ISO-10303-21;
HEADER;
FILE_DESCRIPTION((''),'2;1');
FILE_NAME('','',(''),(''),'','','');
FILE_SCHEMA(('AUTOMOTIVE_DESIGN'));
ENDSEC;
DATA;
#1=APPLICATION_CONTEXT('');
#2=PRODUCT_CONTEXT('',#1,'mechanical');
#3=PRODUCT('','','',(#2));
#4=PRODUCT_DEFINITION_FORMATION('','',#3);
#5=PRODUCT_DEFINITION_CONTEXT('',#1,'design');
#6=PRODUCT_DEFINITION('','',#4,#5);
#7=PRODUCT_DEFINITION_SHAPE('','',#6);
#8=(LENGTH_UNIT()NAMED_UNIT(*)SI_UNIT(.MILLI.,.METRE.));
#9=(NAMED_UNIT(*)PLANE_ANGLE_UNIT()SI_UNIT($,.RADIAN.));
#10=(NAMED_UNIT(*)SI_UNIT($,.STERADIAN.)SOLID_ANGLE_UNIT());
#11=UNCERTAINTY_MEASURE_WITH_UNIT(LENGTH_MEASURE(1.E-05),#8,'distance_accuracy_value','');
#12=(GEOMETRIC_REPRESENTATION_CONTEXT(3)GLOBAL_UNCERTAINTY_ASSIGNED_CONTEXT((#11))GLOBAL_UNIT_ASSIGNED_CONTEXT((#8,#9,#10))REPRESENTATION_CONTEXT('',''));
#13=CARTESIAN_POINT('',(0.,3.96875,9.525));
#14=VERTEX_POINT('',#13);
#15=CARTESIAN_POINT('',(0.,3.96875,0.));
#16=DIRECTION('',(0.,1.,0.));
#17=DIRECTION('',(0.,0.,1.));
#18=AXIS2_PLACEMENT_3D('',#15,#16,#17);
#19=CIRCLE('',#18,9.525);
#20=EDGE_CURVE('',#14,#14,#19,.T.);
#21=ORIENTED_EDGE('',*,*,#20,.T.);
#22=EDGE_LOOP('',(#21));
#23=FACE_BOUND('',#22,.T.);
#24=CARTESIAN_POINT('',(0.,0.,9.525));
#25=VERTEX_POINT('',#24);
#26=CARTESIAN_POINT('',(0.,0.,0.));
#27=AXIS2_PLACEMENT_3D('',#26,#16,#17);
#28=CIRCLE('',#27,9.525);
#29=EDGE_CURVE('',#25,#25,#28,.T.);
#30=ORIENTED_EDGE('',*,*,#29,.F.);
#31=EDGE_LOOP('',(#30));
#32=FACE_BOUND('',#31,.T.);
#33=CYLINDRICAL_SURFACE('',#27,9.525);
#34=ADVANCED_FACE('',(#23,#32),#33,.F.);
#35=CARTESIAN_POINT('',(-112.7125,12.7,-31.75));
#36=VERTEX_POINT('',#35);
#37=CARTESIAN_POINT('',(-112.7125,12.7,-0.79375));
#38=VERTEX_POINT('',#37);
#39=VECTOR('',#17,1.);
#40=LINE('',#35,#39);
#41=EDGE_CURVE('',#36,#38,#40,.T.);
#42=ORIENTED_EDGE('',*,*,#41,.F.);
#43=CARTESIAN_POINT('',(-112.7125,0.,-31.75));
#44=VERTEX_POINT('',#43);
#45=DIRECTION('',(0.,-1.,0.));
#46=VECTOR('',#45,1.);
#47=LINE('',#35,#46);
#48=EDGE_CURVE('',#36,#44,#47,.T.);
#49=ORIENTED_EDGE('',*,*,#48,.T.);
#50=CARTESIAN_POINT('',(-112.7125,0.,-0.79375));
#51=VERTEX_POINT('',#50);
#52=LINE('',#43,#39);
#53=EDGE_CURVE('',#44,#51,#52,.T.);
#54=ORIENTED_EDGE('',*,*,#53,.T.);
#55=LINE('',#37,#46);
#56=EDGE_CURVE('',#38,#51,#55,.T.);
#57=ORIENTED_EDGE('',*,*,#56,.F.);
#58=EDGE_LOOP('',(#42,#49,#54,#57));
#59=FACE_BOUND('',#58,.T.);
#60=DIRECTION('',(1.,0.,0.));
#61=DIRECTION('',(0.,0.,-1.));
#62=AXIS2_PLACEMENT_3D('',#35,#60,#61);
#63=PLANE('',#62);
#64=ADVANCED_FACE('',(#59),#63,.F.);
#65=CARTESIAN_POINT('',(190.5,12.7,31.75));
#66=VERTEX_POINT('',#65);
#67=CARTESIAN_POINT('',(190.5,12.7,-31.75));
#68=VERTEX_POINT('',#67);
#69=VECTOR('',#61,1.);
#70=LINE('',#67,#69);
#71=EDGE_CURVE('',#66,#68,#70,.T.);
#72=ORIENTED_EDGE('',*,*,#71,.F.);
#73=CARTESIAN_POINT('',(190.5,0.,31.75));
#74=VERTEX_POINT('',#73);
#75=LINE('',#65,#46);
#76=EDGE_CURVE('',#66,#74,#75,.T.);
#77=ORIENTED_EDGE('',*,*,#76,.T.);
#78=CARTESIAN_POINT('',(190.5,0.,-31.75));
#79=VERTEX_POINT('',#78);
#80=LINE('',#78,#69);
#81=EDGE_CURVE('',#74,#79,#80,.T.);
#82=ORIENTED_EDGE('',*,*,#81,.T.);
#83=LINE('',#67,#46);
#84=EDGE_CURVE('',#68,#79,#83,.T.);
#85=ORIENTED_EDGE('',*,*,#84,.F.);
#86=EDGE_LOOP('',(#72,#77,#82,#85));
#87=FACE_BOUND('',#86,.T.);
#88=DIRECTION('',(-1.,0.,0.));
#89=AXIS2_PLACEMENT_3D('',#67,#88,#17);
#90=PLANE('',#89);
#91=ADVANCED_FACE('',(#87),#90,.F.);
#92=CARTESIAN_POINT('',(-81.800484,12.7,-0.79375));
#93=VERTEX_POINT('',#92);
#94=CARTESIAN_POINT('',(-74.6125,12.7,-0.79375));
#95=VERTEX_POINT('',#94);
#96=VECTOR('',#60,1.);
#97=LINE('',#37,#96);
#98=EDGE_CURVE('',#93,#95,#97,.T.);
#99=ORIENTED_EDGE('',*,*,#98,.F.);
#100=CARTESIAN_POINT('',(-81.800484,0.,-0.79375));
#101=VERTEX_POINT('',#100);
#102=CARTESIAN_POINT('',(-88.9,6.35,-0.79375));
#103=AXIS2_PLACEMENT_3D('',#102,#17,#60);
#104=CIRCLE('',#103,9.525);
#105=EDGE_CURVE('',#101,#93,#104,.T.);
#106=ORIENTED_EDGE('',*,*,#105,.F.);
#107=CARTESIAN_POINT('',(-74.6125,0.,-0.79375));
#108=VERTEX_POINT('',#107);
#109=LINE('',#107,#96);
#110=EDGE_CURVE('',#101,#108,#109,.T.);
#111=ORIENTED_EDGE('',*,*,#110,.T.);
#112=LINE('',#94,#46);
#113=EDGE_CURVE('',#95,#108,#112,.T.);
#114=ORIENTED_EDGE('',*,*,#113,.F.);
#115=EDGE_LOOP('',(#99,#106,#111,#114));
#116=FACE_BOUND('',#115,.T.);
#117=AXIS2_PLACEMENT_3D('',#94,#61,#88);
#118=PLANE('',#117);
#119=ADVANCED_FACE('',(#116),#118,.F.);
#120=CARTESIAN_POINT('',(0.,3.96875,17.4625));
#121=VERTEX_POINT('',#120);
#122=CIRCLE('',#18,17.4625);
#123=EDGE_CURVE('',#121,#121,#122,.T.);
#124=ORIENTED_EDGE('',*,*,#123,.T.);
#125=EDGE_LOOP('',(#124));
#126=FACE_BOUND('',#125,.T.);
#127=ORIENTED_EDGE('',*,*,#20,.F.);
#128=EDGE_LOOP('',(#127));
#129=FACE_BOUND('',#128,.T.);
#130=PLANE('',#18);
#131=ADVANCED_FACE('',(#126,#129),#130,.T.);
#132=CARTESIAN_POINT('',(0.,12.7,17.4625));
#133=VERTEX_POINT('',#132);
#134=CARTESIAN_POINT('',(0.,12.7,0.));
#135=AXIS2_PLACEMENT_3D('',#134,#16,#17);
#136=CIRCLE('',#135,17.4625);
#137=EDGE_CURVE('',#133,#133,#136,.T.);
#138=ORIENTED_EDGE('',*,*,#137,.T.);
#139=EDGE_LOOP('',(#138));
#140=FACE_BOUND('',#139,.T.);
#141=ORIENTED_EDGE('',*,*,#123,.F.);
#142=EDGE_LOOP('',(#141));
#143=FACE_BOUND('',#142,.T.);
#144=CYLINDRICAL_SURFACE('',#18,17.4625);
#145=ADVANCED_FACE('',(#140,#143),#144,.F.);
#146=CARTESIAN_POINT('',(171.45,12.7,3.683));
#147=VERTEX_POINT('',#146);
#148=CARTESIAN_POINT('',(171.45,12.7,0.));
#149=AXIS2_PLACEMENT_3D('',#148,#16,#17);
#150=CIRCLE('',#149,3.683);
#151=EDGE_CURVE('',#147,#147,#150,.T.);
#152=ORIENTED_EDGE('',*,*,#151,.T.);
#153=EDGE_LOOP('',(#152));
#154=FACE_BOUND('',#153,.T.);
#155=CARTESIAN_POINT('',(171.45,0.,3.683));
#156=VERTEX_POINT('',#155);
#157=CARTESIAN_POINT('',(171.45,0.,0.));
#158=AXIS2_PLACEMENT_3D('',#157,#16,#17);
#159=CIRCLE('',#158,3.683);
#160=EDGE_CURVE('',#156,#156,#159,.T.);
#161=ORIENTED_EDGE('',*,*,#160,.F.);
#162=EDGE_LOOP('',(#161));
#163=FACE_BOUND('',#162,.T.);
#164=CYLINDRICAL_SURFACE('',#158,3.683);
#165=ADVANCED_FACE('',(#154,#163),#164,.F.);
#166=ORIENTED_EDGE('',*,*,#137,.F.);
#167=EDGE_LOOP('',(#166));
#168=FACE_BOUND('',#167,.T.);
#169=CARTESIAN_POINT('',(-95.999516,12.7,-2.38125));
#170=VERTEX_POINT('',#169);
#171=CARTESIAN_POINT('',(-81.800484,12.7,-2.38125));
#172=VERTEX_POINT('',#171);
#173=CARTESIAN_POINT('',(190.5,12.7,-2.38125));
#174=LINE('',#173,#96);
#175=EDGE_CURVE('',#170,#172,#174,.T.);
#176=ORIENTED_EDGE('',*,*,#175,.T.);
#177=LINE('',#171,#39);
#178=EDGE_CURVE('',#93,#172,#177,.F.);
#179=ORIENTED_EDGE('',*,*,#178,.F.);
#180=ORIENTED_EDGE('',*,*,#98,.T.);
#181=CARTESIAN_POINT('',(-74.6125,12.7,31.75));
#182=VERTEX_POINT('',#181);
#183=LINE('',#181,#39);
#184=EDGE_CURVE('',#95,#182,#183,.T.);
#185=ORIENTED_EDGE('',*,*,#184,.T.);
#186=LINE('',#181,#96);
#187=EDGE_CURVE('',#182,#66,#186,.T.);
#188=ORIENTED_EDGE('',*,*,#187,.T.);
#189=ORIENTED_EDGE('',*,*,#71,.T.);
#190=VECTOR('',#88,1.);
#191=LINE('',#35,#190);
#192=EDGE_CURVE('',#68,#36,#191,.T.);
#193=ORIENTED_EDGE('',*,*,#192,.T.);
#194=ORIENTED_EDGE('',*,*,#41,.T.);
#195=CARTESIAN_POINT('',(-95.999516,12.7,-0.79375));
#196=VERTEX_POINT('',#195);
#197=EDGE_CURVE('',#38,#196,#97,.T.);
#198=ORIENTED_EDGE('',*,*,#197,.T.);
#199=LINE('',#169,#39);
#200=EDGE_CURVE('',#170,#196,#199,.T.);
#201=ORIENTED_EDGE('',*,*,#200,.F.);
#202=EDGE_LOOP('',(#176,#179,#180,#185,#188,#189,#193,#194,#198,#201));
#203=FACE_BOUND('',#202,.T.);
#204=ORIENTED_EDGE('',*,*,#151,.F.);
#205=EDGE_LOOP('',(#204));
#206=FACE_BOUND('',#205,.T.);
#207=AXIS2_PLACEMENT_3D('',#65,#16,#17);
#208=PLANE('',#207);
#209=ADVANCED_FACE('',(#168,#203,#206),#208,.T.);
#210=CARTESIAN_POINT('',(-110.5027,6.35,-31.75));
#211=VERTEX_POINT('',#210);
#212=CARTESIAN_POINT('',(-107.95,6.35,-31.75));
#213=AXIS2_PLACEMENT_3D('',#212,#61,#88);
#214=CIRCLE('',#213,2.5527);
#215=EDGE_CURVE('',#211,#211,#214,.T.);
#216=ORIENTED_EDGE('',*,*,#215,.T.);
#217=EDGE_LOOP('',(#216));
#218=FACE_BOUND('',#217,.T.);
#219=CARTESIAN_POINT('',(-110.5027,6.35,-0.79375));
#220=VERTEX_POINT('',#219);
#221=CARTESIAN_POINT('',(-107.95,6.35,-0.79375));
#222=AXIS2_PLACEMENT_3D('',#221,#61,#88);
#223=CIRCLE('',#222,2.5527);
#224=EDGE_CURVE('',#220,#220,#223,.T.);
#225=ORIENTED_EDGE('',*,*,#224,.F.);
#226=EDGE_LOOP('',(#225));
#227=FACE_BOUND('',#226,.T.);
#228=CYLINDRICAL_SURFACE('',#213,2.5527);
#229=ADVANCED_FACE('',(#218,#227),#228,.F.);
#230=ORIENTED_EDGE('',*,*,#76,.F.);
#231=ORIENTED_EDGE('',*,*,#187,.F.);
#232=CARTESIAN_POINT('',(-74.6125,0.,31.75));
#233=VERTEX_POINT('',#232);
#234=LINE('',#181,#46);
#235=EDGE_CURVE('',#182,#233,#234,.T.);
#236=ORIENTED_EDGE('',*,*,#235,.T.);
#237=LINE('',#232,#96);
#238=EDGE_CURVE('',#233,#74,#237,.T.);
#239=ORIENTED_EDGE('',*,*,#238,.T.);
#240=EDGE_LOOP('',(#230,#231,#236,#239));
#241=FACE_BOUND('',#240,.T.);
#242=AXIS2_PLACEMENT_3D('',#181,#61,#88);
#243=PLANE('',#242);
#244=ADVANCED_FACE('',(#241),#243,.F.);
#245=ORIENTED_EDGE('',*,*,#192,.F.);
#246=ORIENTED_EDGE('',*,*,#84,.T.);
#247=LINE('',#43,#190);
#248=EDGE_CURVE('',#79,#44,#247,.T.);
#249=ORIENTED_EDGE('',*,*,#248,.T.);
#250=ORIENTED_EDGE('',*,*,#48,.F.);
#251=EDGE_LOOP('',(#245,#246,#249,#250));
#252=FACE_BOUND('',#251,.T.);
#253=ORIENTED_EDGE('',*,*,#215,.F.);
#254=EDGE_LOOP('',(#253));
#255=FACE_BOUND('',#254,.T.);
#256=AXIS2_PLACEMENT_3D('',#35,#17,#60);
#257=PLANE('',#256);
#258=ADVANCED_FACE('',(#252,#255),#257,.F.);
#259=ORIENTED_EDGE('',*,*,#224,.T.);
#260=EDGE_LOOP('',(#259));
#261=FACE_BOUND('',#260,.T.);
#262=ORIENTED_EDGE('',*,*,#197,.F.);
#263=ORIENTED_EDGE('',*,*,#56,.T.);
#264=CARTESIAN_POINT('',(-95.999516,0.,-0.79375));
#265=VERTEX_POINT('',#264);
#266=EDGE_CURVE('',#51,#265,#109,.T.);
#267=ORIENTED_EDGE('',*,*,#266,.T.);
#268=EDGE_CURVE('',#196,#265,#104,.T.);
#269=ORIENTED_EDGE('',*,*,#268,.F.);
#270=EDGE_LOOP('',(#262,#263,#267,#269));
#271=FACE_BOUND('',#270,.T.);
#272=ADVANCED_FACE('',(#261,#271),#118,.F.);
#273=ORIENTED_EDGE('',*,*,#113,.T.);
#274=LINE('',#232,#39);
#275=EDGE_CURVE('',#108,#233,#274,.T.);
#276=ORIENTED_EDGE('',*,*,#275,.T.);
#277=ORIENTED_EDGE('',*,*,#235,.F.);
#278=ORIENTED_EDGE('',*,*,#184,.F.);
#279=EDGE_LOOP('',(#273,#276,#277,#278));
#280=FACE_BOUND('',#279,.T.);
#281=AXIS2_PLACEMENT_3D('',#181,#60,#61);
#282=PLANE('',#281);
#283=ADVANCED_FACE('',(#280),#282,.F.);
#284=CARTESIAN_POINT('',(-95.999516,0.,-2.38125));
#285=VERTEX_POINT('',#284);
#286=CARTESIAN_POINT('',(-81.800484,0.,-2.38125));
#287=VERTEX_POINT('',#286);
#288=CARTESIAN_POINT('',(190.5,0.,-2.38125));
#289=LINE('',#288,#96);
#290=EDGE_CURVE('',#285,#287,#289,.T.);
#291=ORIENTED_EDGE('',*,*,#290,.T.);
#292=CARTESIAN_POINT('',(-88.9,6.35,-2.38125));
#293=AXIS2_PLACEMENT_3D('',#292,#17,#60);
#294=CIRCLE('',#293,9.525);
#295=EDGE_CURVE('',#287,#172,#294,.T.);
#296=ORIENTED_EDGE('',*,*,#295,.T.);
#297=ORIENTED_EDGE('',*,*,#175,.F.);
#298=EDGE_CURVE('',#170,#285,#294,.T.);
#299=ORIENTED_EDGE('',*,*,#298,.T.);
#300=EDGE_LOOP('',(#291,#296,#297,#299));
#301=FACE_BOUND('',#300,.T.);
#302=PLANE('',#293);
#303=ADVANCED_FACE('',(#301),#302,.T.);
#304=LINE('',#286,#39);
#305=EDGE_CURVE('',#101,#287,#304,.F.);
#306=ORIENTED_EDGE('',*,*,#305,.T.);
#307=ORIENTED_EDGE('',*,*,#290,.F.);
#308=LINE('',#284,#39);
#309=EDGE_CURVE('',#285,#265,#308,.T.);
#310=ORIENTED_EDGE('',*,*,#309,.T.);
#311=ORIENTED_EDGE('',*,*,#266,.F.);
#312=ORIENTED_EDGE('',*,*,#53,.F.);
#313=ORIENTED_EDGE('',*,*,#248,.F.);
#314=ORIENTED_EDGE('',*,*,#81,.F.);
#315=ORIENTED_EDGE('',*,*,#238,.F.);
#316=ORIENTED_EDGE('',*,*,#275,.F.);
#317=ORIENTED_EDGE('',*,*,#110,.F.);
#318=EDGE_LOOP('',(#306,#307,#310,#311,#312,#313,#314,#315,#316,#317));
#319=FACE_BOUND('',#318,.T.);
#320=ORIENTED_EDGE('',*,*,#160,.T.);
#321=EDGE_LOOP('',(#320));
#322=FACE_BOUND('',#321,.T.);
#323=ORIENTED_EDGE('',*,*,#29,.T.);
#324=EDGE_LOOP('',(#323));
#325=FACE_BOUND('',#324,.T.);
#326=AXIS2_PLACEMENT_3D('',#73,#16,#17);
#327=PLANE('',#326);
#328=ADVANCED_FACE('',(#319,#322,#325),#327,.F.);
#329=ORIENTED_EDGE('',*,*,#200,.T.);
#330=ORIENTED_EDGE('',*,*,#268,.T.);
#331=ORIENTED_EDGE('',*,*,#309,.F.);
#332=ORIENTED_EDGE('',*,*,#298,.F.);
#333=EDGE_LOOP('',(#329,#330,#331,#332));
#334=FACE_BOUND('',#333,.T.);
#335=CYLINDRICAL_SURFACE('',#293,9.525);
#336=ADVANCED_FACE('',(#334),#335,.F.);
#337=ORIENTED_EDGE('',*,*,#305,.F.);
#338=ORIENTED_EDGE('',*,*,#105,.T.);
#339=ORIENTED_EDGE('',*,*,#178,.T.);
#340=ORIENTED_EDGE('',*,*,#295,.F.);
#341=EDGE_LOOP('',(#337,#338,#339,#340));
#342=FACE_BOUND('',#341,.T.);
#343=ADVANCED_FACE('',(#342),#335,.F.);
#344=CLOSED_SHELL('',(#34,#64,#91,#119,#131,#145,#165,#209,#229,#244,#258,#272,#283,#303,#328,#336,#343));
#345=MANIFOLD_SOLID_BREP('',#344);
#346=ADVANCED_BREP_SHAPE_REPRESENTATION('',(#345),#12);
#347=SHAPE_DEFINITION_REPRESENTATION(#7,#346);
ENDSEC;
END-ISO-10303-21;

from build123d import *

# Parameters (mm, degrees)
BOSS_EXTRUDE1_DEPTH    = 12.7
SKETCH2_R              = 17.4625
CUT_EXTRUDE1_DEPTH     = 8.73125
SKETCH4_R              = 3.683
CUT_EXTRUDE3_DEPTH     = 13.7
F_10_CLEARANCE_HOLE1_D = 5.1054
SKETCH7_R              = 9.525
CUT_EXTRUDE4_DEPTH     = 1.5875
SKETCH8_R              = 9.525
CUT_EXTRUDE5_DEPTH     = 4.96875


with BuildPart() as part:
    # Sketch1 → Boss-Extrude1 (new body)
    with BuildSketch(Plane(origin=(0, 0, 0), x_dir=(1, 0, 0), z_dir=(0, 1, 0))):
        Polygon((-112.7125, 31.75), (190.5, 31.75), (190.5, -31.75), (-74.6125, -31.75), (-74.6125, 0.79375), (-76.2, 0.79375), (-112.7125, 0.79375), align=None)
    extrude(amount=BOSS_EXTRUDE1_DEPTH)

    # Sketch2 → Cut-Extrude1 (cut)
    with BuildSketch(Plane(origin=(0, 12.7, 0), x_dir=(1, 0, 0), z_dir=(0, 1, 0))):
        with Locations(Location((0, 0, 0), (0, 0, 270))):  # turned: the seam where the file's is
            Circle(SKETCH2_R)
    extrude(amount=-CUT_EXTRUDE1_DEPTH, mode=Mode.SUBTRACT)

    # Sketch4 → Cut-Extrude3 (cut, through all)
    with BuildSketch(Plane(origin=(0, 12.7, 0), x_dir=(1, 0, 0), z_dir=(0, 1, 0))):
        with Locations(Location((171.45, 0, 0), (0, 0, 270))):  # turned: the seam where the file's is
            Circle(SKETCH4_R)
    extrude(amount=-CUT_EXTRUDE3_DEPTH, mode=Mode.SUBTRACT)

    # #10 Clearance Hole1 (through all)
    with Locations(Plane(origin=(0, 0, -31.75), x_dir=(-1, 0, 0), z_dir=(0, 0, -1))):
        with Locations((107.95, 6.35)):
            Hole(F_10_CLEARANCE_HOLE1_D / 2)

    # Sketch7 → Cut-Extrude4 (cut)
    with BuildSketch(Plane.XY.offset(-0.79375)):
        with Locations((-88.9, 6.35)):
            Circle(SKETCH7_R)
    extrude(amount=-CUT_EXTRUDE4_DEPTH, mode=Mode.SUBTRACT)

    # Sketch8 → Cut-Extrude5 (cut, through all)
    with BuildSketch(Plane(origin=(0, 3.96875, 0), x_dir=(1, 0, 0), z_dir=(0, 1, 0))):
        with Locations(Location((0, 0, 0), (0, 0, 270))):  # turned: the seam where the file's is
            Circle(SKETCH8_R)
    extrude(amount=-CUT_EXTRUDE5_DEPTH, mode=Mode.SUBTRACT)


solid = part.part
